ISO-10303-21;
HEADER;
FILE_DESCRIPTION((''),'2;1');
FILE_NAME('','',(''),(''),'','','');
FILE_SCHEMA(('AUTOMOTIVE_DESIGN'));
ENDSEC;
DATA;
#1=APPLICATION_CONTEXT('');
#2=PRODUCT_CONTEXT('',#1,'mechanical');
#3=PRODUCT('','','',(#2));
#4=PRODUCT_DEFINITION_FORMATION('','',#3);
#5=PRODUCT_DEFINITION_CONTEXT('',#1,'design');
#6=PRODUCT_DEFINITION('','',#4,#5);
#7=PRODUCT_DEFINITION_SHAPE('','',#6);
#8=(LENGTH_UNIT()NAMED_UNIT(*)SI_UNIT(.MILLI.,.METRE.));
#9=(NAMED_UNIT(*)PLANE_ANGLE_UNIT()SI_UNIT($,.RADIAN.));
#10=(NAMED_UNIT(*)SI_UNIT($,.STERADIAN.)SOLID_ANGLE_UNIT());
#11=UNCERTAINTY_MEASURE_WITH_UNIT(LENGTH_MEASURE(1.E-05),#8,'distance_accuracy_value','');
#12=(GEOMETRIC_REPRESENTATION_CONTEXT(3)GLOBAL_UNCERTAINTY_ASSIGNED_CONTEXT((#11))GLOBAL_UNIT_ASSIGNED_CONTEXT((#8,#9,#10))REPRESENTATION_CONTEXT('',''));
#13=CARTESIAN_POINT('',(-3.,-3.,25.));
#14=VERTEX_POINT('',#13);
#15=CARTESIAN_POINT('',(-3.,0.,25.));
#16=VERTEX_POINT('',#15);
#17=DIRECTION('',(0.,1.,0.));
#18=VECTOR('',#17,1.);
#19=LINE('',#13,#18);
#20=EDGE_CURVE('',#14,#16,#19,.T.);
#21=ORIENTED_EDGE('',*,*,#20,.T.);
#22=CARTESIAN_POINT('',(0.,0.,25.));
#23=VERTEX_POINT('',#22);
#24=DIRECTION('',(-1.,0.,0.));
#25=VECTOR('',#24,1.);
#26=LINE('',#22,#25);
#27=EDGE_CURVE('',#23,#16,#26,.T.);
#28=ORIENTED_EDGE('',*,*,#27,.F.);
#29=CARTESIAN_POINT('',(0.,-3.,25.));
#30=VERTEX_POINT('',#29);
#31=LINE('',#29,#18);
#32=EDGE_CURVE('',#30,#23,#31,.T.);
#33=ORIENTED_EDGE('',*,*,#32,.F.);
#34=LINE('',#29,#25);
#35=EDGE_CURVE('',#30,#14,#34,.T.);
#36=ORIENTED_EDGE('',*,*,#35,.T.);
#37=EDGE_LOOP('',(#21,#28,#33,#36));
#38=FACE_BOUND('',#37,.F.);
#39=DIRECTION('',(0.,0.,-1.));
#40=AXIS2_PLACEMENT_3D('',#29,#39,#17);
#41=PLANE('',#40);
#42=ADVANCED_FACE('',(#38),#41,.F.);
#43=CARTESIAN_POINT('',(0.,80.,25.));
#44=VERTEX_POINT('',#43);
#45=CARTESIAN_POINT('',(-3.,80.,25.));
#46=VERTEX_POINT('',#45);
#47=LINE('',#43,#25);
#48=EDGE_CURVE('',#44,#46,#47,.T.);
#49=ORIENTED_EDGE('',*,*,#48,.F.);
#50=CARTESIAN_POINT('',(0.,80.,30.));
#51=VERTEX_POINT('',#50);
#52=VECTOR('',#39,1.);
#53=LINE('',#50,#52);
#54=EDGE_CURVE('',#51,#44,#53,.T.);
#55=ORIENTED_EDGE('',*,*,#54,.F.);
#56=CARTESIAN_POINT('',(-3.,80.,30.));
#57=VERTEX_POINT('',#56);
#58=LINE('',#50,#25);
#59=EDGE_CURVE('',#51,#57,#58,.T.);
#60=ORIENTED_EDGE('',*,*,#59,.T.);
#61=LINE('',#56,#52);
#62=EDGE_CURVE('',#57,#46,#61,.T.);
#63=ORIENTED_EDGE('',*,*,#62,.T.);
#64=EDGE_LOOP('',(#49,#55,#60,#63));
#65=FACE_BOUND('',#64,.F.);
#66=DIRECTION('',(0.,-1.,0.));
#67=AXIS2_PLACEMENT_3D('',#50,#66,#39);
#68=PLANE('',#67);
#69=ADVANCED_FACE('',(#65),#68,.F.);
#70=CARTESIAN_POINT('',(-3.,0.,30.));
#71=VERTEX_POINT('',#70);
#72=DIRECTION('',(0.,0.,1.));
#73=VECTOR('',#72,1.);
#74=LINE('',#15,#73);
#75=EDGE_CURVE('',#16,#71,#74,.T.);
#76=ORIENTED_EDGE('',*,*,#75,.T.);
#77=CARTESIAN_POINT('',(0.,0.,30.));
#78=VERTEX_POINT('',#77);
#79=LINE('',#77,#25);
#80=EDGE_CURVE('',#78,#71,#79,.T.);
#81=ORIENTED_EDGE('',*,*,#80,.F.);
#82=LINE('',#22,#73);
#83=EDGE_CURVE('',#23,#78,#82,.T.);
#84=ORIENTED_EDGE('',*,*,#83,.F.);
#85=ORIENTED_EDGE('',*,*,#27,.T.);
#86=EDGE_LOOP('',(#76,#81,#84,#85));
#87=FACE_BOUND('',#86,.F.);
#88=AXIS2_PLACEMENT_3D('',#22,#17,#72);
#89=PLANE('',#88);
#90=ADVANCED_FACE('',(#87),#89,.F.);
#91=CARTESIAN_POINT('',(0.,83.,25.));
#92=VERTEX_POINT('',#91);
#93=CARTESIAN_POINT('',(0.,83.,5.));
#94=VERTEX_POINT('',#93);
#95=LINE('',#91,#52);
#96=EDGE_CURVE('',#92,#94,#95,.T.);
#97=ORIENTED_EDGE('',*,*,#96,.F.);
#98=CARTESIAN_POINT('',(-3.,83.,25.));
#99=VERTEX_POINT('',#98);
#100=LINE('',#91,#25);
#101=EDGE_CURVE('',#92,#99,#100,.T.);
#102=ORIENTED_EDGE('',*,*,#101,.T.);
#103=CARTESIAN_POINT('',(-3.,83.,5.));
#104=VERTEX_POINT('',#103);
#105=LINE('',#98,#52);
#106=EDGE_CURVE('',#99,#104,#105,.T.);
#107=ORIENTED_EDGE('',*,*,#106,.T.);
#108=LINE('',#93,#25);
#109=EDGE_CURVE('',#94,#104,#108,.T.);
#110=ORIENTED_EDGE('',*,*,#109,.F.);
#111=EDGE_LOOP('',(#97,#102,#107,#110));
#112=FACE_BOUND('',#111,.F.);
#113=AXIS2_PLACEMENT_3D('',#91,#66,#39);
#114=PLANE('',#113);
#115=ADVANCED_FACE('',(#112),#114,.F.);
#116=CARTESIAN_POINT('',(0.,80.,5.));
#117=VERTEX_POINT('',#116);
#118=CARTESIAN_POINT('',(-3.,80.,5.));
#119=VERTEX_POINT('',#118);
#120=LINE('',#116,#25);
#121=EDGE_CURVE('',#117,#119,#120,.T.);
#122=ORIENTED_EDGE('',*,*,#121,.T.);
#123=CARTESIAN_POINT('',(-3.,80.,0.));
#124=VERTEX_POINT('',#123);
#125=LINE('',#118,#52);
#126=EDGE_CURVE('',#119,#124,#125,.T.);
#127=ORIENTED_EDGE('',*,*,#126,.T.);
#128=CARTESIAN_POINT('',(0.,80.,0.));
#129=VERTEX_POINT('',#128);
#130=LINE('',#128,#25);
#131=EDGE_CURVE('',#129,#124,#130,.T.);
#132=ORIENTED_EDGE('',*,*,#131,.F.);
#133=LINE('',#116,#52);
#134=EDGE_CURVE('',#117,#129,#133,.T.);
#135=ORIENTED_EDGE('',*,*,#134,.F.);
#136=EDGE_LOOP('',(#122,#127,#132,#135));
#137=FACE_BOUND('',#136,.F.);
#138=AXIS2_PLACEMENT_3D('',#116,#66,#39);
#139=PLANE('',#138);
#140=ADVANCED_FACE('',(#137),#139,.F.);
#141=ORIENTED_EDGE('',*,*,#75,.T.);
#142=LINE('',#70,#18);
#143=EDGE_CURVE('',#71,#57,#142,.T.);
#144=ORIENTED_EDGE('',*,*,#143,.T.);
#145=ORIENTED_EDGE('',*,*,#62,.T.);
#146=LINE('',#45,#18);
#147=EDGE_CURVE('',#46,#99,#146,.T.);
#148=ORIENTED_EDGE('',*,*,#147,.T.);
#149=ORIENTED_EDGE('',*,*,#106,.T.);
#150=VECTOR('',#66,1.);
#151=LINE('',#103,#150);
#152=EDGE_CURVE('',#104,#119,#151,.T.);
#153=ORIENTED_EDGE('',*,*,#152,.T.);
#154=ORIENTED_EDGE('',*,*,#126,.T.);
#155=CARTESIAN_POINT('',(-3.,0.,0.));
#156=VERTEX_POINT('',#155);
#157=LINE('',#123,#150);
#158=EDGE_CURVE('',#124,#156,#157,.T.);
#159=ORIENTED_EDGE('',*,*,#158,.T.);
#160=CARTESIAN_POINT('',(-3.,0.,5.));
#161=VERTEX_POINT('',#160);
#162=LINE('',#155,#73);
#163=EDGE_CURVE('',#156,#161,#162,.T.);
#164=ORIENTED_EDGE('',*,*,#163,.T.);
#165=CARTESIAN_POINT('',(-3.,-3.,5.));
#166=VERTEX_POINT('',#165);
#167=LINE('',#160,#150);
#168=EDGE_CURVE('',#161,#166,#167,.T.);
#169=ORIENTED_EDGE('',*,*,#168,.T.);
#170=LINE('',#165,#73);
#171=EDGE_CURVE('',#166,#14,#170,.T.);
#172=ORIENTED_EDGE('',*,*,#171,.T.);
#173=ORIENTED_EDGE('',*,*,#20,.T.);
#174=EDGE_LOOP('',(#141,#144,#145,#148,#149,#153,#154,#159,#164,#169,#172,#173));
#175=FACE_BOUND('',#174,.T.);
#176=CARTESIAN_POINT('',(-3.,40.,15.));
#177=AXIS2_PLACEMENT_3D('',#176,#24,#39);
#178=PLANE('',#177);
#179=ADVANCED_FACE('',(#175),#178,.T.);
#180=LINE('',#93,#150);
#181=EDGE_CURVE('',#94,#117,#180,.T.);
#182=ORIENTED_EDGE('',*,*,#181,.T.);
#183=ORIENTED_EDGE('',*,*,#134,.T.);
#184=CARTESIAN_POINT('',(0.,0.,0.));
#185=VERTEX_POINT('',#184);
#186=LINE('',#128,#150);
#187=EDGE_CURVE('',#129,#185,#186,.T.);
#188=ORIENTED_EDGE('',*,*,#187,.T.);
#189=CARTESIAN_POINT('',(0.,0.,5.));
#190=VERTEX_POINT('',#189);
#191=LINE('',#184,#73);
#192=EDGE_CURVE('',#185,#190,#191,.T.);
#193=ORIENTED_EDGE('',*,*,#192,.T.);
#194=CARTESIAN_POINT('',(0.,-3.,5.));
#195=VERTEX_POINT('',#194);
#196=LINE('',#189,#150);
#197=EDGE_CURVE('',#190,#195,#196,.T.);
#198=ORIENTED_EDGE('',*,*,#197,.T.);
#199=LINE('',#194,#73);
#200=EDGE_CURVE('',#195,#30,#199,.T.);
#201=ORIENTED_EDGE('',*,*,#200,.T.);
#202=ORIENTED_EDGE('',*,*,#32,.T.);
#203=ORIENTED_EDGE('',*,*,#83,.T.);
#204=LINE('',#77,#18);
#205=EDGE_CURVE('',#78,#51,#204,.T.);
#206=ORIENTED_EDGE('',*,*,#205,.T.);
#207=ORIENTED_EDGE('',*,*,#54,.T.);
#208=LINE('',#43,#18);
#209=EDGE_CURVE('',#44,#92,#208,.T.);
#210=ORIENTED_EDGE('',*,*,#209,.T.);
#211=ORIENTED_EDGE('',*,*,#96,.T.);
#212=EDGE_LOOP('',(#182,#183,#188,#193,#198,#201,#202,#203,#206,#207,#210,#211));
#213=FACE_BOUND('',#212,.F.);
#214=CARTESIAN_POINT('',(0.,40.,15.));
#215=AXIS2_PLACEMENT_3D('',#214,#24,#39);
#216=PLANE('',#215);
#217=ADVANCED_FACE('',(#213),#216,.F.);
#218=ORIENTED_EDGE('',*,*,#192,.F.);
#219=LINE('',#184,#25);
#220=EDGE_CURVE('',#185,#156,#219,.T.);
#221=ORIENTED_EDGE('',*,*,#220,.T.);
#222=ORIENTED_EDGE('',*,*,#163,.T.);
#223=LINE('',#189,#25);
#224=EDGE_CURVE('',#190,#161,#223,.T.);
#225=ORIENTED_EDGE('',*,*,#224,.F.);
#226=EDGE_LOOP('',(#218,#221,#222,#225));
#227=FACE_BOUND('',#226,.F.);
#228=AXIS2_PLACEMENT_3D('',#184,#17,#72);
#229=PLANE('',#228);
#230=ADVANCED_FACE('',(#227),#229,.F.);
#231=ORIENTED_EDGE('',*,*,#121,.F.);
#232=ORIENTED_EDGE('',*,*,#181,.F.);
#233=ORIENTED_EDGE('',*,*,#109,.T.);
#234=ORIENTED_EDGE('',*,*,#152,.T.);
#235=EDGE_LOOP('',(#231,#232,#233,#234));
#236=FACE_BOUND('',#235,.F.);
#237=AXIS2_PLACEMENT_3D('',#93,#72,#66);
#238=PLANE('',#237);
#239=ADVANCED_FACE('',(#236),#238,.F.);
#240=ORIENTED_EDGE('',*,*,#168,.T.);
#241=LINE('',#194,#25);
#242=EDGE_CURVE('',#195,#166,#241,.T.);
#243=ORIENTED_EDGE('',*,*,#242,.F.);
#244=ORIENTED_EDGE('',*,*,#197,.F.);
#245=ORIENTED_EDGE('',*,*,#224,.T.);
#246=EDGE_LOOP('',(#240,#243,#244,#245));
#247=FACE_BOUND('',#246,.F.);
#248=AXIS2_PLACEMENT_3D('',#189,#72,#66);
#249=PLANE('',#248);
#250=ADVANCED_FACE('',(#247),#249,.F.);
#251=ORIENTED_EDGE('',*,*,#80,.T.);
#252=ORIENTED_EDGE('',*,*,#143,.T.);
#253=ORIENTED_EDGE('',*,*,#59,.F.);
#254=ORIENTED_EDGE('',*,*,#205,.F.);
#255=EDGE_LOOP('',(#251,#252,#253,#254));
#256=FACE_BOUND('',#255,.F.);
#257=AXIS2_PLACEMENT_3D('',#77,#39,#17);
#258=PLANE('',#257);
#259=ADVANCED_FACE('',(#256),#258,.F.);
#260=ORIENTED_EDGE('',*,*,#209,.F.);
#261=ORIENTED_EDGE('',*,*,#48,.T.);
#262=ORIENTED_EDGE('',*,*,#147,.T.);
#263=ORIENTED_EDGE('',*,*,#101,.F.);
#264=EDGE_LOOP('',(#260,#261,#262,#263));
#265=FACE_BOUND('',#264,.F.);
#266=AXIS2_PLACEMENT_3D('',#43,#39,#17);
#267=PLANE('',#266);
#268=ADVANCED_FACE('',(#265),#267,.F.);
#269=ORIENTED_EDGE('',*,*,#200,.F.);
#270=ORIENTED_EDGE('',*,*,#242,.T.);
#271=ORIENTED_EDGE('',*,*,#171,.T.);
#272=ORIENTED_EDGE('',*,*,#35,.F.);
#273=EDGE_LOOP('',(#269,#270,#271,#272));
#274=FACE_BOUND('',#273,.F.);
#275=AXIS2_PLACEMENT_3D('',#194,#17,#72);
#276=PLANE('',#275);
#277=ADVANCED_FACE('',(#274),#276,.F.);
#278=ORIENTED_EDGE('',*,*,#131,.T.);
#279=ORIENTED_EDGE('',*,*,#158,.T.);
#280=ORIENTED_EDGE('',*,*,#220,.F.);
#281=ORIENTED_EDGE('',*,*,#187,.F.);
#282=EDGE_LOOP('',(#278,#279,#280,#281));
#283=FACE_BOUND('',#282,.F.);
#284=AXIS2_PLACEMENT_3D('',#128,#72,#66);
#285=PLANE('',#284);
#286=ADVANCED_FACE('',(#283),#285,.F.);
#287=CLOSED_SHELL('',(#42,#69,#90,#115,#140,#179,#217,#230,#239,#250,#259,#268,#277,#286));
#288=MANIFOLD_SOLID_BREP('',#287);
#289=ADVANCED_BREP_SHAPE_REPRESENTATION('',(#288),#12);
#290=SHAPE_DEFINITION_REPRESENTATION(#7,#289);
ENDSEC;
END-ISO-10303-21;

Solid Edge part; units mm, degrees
sketch "Sketch1" plane through (0, 0, 0) normal (1, 0, 0) x (0, 1, 0)
  line L0 (0, 30) -> (80, 30)
  line L1 (80, 30) -> (80, 25)
  line L2 (80, 25) -> (83, 25)
  line L3 (83, 25) -> (83, 5)
  line L4 (83, 5) -> (80, 5)
  line L5 (80, 5) -> (80, 0)
  line L6 (80, 0) -> (0, 0)
  line L7 (0, 0) -> (0, 5)
  line L8 (0, 5) -> (-3, 5)
  line L9 (-3, 5) -> (-3, 25)
  line L10 (-3, 25) -> (0, 25)
  line L11 (0, 25) -> (0, 30)
  dimension "D1" = 80
  dimension "D2" = 3
  dimension "D3" = 20
  dimension "D4" = 5
extrude "Protrusion1" add sketch "Sketch1" against normal blind 3
properties material "Acier"
